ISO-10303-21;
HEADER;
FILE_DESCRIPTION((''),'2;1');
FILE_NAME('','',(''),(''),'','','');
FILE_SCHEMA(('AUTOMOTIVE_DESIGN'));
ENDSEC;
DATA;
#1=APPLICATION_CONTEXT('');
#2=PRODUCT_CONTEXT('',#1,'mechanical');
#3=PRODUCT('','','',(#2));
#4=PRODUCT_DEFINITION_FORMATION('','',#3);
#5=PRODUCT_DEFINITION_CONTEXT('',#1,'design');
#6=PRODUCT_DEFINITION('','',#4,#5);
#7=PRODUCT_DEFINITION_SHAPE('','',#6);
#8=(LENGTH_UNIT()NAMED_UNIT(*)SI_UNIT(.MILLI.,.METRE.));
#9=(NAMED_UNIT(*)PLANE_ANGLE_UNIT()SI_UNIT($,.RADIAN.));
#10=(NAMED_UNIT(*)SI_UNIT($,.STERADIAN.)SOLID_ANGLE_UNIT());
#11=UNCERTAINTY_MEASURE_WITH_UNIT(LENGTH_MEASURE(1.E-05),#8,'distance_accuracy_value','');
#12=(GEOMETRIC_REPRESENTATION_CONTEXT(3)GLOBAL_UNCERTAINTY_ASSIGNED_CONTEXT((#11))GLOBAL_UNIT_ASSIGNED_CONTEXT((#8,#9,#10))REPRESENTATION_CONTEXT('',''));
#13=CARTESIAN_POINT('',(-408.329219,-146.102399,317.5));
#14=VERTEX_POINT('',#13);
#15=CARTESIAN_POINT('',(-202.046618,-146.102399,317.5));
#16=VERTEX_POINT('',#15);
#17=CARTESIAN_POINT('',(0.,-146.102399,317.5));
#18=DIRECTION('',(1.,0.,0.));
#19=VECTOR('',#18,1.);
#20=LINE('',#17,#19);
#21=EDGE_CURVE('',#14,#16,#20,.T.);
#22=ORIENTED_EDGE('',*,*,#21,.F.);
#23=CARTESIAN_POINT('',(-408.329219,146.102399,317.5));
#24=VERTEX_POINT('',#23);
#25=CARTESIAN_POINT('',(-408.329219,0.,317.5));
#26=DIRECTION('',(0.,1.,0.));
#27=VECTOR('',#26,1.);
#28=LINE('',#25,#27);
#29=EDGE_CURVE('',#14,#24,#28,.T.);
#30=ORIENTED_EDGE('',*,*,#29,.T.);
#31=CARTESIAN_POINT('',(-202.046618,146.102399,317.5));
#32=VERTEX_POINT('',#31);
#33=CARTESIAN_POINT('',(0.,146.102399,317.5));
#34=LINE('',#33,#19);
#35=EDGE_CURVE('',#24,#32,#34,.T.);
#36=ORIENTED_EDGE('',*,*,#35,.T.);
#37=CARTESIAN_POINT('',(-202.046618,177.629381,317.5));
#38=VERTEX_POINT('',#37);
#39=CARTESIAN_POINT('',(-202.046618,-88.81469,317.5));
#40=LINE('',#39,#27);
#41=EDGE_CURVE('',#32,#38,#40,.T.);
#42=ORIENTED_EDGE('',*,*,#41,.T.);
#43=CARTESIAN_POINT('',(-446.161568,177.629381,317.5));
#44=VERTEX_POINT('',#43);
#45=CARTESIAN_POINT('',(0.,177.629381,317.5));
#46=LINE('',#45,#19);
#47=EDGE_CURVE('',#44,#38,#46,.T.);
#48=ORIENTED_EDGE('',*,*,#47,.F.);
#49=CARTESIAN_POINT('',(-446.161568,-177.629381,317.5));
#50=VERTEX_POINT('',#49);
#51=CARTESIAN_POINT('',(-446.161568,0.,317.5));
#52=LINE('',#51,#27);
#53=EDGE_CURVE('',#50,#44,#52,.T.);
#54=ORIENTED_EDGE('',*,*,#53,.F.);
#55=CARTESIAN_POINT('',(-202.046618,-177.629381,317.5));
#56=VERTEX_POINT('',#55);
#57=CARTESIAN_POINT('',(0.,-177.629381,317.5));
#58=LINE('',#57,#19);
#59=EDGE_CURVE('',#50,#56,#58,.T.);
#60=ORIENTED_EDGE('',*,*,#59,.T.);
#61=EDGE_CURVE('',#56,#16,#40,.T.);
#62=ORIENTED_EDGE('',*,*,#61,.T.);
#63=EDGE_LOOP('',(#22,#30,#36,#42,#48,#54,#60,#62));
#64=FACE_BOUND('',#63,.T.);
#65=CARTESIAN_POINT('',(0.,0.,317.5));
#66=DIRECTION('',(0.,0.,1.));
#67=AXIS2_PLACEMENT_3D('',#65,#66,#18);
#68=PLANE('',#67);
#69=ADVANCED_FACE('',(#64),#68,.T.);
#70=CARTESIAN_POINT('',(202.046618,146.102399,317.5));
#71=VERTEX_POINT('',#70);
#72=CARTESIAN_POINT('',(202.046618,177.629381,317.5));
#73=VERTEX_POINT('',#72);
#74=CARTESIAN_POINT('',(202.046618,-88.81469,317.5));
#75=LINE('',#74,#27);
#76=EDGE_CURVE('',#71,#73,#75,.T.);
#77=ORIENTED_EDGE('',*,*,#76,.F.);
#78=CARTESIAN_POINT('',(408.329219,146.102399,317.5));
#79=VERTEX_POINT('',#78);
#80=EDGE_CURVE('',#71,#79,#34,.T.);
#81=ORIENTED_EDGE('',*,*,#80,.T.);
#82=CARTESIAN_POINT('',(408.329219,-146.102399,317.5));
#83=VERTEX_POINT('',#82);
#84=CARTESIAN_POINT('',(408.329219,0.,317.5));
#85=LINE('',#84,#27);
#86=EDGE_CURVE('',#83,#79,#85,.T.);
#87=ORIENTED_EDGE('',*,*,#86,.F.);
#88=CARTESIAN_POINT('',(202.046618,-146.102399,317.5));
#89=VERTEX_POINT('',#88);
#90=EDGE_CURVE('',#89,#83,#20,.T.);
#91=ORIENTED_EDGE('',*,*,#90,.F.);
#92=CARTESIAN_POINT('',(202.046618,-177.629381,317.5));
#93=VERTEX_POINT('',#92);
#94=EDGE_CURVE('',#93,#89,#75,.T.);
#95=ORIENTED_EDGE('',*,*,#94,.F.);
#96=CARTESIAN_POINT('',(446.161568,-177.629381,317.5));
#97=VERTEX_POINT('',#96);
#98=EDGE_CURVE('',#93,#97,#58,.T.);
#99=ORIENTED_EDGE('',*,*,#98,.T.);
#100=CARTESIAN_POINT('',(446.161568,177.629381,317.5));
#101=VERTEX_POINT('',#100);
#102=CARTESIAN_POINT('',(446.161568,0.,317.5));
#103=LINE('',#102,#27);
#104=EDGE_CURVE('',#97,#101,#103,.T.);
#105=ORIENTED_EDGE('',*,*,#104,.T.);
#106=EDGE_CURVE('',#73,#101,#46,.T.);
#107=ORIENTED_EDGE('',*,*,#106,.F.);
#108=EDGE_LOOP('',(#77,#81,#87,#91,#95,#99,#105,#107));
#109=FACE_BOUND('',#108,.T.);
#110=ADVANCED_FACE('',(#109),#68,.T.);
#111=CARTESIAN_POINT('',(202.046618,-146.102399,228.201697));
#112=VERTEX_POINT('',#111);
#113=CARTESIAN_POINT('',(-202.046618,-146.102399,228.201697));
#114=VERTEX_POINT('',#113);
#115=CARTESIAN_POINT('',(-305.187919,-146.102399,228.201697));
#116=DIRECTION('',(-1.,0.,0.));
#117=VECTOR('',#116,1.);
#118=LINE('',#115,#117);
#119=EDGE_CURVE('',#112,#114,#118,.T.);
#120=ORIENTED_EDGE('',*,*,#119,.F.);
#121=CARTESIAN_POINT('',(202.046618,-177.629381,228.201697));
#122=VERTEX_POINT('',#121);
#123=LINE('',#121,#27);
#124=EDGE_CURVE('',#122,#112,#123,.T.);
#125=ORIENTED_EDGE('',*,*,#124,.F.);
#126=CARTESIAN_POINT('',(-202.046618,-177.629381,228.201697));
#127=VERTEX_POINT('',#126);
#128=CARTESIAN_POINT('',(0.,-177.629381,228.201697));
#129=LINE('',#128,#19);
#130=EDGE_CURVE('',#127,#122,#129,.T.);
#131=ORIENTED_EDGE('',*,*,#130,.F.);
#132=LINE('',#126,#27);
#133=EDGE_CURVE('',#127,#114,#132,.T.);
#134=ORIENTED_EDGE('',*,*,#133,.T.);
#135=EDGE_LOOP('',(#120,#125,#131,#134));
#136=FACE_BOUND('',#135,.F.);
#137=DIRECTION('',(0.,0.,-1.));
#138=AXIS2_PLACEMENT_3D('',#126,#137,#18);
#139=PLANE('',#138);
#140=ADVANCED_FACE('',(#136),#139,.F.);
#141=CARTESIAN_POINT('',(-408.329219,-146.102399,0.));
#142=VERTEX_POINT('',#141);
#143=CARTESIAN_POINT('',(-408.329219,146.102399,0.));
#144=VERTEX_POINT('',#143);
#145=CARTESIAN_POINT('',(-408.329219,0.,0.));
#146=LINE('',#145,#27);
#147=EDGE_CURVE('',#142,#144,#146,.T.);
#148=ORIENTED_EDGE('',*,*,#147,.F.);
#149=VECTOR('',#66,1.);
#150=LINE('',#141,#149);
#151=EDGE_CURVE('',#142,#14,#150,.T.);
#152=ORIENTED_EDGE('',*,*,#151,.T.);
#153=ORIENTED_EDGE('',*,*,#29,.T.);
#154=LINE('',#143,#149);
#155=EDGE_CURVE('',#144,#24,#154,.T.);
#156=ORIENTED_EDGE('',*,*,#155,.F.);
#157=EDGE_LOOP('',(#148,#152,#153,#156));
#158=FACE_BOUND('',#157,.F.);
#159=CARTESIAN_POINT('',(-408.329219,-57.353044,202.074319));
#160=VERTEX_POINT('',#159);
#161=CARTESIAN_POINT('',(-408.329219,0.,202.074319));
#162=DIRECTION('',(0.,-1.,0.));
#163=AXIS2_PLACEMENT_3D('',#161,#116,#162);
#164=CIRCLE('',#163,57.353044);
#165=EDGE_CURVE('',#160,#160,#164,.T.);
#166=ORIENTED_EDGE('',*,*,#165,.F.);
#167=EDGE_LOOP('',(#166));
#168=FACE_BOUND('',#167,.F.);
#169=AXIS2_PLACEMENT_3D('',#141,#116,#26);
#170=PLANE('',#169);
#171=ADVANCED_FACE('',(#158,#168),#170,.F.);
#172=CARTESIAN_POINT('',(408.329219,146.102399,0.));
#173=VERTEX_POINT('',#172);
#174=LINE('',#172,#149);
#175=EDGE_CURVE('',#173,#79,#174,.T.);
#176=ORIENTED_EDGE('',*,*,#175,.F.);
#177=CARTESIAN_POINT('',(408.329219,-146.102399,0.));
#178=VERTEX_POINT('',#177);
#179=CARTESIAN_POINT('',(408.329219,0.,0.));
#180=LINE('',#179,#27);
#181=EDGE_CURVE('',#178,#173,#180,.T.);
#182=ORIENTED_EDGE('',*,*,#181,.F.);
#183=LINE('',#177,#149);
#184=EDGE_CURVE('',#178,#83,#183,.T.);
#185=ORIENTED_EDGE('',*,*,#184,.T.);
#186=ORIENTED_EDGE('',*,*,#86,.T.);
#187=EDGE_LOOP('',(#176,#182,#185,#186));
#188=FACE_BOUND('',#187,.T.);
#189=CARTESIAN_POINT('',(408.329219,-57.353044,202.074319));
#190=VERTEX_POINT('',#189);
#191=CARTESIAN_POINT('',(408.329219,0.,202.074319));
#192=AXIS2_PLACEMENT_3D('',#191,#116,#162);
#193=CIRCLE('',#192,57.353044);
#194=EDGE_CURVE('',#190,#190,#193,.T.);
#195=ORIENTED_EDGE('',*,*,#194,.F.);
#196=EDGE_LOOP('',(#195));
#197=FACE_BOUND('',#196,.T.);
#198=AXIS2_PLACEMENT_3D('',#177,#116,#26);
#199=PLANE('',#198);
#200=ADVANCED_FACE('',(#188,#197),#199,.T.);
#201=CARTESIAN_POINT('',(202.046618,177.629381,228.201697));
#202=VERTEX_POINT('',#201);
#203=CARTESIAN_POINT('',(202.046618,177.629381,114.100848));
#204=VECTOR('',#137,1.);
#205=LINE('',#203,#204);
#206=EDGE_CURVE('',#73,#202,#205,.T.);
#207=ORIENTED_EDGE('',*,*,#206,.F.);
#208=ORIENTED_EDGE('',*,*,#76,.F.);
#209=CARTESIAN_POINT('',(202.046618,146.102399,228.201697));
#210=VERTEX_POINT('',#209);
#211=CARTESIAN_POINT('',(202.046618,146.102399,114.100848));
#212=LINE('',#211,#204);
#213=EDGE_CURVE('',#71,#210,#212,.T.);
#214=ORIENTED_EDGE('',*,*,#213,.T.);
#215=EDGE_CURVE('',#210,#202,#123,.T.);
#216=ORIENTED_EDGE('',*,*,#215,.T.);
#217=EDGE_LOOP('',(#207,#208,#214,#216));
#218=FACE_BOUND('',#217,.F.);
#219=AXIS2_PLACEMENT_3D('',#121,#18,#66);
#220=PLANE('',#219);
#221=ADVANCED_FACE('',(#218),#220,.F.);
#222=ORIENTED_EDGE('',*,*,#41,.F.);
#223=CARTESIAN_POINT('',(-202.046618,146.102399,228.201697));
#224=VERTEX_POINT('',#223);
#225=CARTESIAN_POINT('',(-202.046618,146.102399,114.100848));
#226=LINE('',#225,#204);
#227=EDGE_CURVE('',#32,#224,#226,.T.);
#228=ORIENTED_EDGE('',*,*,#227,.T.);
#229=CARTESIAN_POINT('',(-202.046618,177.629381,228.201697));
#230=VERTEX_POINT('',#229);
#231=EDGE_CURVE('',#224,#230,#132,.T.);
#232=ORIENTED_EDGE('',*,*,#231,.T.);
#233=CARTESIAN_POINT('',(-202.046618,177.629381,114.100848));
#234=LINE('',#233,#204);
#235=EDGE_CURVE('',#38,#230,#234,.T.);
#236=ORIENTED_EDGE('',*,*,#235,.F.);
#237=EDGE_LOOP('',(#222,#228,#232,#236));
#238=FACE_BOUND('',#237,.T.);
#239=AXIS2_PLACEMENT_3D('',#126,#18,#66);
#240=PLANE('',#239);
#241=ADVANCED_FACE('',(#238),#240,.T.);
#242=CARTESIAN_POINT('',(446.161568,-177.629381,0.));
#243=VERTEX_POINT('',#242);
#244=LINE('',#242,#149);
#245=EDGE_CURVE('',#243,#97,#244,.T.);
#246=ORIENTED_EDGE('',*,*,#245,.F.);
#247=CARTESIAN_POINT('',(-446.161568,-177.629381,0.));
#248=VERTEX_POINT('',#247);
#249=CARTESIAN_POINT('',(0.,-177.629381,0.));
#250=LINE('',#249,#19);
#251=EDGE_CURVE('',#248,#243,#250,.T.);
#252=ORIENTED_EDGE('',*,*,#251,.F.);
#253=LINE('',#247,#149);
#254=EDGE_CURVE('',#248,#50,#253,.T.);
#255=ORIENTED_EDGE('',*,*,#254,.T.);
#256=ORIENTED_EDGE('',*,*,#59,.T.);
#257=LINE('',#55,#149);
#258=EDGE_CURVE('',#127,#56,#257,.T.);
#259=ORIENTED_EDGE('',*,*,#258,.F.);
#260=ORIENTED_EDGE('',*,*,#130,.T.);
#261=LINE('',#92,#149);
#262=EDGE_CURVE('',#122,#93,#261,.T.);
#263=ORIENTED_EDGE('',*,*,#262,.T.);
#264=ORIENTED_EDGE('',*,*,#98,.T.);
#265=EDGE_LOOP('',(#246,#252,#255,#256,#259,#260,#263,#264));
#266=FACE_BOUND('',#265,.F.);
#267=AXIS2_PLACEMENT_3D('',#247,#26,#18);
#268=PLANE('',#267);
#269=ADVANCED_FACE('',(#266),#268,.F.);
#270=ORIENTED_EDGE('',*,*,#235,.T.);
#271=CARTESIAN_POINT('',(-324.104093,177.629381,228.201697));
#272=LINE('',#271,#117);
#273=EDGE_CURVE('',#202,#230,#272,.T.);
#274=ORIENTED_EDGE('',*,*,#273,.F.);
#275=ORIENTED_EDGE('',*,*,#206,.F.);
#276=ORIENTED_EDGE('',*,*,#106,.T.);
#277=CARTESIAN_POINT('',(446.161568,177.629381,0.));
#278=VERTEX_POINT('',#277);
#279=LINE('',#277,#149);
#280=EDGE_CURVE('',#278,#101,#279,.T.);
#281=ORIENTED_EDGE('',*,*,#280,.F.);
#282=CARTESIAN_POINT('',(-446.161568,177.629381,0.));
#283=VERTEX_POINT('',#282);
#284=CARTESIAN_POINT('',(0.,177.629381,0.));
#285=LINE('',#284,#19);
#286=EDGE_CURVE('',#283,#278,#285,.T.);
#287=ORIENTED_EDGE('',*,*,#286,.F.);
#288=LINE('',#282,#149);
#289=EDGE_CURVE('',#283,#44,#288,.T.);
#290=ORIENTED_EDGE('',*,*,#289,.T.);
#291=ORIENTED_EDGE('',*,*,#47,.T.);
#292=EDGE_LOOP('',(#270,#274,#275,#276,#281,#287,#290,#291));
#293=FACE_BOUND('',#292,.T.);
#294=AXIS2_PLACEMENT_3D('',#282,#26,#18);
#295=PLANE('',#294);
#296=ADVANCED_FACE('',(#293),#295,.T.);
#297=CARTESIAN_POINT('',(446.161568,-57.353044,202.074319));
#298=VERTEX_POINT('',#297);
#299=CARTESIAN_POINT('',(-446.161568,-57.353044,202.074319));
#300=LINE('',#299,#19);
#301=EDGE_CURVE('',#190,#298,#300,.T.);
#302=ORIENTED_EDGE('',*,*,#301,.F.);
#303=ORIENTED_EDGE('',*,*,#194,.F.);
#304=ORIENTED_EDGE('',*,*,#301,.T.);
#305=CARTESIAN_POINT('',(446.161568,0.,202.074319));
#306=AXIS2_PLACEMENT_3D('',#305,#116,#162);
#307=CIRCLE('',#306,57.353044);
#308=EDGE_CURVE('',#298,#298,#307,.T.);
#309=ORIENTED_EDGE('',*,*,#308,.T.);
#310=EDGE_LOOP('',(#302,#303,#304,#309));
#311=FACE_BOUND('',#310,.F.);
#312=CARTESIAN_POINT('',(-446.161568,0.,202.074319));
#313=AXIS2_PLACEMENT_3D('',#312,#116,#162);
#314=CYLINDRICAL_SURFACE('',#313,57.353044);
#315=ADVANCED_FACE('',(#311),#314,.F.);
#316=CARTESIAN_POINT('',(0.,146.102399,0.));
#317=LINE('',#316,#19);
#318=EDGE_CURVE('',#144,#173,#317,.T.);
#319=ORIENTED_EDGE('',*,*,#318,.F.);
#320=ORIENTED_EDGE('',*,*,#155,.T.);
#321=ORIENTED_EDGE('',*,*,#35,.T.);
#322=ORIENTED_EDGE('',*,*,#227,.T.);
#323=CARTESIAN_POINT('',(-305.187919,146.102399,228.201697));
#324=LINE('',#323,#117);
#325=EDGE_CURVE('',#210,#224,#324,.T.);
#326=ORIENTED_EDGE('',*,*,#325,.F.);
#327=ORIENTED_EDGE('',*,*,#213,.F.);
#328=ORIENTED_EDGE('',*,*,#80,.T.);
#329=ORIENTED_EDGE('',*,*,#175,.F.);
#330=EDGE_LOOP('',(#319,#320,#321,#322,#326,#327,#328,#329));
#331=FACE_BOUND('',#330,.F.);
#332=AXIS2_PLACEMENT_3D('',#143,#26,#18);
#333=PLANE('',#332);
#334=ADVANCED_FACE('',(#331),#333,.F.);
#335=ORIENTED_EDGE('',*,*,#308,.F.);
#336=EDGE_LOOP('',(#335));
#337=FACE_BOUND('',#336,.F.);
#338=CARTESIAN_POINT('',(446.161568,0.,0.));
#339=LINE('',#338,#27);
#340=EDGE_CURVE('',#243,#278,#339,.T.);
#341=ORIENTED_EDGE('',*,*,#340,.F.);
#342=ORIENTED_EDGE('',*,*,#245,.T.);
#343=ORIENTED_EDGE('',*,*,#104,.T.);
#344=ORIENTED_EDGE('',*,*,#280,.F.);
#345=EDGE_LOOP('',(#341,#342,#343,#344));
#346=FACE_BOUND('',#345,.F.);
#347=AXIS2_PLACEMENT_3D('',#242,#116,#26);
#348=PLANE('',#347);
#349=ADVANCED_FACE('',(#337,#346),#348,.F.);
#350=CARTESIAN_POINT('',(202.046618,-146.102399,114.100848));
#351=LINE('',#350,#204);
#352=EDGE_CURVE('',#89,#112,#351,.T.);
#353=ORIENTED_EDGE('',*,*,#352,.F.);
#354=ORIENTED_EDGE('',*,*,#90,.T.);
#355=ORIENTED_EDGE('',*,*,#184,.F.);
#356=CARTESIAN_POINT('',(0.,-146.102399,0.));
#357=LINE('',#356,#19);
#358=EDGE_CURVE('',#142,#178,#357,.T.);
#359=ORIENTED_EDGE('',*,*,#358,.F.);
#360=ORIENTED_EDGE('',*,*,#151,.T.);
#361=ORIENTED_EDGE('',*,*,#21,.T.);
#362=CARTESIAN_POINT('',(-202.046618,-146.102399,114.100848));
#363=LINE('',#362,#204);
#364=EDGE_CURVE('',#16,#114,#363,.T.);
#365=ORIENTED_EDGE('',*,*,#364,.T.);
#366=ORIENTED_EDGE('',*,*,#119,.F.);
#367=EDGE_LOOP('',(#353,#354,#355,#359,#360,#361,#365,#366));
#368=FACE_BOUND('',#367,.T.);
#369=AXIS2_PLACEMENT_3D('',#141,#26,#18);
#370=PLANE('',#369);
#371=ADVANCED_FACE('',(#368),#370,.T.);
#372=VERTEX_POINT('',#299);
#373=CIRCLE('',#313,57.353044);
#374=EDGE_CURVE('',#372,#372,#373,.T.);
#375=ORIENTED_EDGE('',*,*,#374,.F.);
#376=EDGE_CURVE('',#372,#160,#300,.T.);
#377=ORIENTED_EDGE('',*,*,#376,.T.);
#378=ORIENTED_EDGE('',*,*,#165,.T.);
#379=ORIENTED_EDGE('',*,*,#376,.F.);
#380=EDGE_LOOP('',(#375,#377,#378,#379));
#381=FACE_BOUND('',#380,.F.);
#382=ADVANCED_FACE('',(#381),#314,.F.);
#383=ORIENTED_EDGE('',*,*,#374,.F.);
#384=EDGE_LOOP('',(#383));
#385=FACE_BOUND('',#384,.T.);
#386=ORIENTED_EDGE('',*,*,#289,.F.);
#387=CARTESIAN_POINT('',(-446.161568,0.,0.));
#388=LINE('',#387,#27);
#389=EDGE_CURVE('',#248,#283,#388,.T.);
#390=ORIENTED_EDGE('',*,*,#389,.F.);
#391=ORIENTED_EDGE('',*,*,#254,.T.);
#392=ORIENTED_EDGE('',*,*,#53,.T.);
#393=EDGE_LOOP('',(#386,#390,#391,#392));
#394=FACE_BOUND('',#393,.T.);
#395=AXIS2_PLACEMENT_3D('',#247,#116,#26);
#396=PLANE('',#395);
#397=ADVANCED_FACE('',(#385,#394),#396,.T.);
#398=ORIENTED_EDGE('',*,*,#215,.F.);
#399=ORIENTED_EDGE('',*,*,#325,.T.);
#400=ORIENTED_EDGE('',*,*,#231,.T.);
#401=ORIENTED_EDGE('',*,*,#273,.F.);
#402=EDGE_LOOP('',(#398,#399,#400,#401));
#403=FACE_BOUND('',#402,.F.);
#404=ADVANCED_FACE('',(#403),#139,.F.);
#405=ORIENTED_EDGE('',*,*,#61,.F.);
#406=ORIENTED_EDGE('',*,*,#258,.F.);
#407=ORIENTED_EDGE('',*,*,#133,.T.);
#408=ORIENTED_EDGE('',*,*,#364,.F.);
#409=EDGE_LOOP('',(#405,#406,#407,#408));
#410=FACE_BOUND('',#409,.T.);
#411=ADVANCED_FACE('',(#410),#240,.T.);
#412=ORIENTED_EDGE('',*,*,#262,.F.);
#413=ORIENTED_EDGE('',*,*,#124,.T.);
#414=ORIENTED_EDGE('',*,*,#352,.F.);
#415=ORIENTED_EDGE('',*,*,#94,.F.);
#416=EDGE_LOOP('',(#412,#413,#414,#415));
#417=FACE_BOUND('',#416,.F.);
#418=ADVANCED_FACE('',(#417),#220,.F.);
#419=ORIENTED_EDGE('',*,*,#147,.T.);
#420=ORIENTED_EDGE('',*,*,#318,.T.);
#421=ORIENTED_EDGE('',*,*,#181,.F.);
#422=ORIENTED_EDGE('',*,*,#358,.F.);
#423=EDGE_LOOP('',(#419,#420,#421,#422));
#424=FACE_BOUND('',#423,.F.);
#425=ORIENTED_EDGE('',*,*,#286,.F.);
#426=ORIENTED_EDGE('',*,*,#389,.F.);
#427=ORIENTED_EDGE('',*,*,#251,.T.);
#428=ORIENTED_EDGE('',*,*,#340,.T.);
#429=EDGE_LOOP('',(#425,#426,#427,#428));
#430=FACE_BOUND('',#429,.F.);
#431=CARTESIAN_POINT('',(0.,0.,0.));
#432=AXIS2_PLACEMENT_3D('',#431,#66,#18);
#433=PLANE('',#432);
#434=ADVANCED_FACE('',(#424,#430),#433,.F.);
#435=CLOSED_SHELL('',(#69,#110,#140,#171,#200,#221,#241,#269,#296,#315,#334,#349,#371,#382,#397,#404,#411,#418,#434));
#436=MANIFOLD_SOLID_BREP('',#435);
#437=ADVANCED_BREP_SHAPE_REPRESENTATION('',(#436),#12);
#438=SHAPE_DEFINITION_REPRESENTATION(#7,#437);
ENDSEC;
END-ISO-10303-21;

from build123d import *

# Parameters (mm, degrees)
F0_W     = 892.323136
F0_H     = 355.258762
F0_W_2   = 816.658438
F0_H_2   = 292.204798
F1_DEPTH = 317.5
F2_W     = 404.093236
F2_H     = 178.596606
F3_DEPTH = 355.259763
F4_R     = 57.353044
F5_DEPTH = 892.324136


with BuildPart() as f1:
    # F0 (on Top) → F1 (new body)
    with BuildSketch(Plane.XY):
        Rectangle(F0_W, F0_H)
        Rectangle(F0_W_2, F0_H_2, mode=Mode.SUBTRACT)
    extrude(amount=F1_DEPTH)

    # F2 (on face) → F3 (cut, through all)
    with BuildSketch(Plane.XZ.offset(177.629381)):
        with Locations((0, 317.5)):
            Rectangle(F2_W, F2_H)
    extrude(amount=-F3_DEPTH, mode=Mode.SUBTRACT)

    # F4 (on face) → F5 (cut, through all)
    with BuildSketch(Plane(origin=(-446.161568, 0, 0), x_dir=(0, -1, 0), z_dir=(-1, 0, 0))):
        with Locations((0, 202.074319)):
            Circle(F4_R)
    extrude(amount=-F5_DEPTH, mode=Mode.SUBTRACT)


solid = f1.part
